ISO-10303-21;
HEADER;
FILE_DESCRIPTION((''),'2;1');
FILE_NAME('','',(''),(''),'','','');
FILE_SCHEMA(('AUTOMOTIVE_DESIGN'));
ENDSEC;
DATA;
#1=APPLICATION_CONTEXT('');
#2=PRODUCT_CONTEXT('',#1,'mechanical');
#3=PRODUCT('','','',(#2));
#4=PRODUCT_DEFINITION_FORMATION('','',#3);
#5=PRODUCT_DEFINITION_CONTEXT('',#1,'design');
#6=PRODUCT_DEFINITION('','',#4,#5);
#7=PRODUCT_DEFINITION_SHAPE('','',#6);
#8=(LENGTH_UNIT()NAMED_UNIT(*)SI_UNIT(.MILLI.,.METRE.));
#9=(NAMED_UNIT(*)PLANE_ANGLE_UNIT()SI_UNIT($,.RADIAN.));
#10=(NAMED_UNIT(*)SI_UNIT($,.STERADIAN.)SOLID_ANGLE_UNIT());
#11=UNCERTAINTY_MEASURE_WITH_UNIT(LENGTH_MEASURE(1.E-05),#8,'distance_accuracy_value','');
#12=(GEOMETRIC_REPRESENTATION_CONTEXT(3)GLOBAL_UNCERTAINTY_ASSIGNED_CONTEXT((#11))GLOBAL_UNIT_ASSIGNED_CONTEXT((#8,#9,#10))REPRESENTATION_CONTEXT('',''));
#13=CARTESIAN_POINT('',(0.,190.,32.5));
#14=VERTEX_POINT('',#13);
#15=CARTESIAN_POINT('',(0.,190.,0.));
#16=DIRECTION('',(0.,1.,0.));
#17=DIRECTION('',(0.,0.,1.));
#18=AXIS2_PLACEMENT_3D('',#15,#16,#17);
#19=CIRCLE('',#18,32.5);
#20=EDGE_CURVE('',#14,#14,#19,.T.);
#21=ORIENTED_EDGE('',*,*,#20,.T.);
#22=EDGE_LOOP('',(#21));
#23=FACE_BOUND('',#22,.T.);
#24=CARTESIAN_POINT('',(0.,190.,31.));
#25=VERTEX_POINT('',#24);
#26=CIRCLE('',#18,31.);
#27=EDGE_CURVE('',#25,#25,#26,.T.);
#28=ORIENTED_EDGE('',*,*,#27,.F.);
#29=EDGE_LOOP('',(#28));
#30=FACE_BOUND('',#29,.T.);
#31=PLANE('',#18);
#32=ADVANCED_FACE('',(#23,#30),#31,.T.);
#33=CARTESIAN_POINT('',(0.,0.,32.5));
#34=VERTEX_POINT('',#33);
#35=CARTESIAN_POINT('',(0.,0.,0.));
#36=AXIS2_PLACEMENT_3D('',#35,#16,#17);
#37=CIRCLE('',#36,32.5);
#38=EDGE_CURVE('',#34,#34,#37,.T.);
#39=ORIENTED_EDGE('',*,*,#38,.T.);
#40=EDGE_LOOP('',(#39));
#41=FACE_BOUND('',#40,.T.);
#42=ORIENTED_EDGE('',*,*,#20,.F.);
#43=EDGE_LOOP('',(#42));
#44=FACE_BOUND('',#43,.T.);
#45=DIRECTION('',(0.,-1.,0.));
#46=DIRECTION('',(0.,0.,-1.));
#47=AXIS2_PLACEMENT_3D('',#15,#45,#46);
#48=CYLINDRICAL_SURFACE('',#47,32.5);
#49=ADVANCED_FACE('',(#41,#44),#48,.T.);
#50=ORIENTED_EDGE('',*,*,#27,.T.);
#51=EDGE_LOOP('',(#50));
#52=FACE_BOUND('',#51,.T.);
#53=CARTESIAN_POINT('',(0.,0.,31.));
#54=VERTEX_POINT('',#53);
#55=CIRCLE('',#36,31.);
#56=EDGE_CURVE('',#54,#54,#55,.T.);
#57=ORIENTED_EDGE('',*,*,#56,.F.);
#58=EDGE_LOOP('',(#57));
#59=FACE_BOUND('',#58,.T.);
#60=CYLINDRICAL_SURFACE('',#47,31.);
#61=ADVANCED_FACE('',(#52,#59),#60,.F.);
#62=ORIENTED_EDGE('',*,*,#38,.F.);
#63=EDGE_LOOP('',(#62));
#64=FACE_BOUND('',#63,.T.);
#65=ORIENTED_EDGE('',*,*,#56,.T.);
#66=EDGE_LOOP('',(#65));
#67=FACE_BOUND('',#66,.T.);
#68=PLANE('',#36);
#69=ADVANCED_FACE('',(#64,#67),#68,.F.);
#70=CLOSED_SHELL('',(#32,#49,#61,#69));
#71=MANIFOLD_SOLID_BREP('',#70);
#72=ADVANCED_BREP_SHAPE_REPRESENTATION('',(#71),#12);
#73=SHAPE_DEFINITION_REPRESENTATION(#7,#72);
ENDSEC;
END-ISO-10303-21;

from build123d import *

# Parameters (mm, degrees)
ESQUISSE1_R        = 32.5
ESQUISSE1_R_2      = 31
BOSS_EXTRU_1_DEPTH = 190


with BuildPart() as part:
    # Esquisse1 → Boss.-Extru.1 (new body)
    with BuildSketch(Plane(origin=(0, 0, 0), x_dir=(1, 0, 0), z_dir=(0, 1, 0))):
        with Locations(Location((0, 0, 0), (0, 0, 270))):
            Circle(ESQUISSE1_R)
        with Locations(Location((0, 0, 0), (0, 0, 270))):
            Circle(ESQUISSE1_R_2, mode=Mode.SUBTRACT)
    extrude(amount=BOSS_EXTRU_1_DEPTH)


solid = part.part
